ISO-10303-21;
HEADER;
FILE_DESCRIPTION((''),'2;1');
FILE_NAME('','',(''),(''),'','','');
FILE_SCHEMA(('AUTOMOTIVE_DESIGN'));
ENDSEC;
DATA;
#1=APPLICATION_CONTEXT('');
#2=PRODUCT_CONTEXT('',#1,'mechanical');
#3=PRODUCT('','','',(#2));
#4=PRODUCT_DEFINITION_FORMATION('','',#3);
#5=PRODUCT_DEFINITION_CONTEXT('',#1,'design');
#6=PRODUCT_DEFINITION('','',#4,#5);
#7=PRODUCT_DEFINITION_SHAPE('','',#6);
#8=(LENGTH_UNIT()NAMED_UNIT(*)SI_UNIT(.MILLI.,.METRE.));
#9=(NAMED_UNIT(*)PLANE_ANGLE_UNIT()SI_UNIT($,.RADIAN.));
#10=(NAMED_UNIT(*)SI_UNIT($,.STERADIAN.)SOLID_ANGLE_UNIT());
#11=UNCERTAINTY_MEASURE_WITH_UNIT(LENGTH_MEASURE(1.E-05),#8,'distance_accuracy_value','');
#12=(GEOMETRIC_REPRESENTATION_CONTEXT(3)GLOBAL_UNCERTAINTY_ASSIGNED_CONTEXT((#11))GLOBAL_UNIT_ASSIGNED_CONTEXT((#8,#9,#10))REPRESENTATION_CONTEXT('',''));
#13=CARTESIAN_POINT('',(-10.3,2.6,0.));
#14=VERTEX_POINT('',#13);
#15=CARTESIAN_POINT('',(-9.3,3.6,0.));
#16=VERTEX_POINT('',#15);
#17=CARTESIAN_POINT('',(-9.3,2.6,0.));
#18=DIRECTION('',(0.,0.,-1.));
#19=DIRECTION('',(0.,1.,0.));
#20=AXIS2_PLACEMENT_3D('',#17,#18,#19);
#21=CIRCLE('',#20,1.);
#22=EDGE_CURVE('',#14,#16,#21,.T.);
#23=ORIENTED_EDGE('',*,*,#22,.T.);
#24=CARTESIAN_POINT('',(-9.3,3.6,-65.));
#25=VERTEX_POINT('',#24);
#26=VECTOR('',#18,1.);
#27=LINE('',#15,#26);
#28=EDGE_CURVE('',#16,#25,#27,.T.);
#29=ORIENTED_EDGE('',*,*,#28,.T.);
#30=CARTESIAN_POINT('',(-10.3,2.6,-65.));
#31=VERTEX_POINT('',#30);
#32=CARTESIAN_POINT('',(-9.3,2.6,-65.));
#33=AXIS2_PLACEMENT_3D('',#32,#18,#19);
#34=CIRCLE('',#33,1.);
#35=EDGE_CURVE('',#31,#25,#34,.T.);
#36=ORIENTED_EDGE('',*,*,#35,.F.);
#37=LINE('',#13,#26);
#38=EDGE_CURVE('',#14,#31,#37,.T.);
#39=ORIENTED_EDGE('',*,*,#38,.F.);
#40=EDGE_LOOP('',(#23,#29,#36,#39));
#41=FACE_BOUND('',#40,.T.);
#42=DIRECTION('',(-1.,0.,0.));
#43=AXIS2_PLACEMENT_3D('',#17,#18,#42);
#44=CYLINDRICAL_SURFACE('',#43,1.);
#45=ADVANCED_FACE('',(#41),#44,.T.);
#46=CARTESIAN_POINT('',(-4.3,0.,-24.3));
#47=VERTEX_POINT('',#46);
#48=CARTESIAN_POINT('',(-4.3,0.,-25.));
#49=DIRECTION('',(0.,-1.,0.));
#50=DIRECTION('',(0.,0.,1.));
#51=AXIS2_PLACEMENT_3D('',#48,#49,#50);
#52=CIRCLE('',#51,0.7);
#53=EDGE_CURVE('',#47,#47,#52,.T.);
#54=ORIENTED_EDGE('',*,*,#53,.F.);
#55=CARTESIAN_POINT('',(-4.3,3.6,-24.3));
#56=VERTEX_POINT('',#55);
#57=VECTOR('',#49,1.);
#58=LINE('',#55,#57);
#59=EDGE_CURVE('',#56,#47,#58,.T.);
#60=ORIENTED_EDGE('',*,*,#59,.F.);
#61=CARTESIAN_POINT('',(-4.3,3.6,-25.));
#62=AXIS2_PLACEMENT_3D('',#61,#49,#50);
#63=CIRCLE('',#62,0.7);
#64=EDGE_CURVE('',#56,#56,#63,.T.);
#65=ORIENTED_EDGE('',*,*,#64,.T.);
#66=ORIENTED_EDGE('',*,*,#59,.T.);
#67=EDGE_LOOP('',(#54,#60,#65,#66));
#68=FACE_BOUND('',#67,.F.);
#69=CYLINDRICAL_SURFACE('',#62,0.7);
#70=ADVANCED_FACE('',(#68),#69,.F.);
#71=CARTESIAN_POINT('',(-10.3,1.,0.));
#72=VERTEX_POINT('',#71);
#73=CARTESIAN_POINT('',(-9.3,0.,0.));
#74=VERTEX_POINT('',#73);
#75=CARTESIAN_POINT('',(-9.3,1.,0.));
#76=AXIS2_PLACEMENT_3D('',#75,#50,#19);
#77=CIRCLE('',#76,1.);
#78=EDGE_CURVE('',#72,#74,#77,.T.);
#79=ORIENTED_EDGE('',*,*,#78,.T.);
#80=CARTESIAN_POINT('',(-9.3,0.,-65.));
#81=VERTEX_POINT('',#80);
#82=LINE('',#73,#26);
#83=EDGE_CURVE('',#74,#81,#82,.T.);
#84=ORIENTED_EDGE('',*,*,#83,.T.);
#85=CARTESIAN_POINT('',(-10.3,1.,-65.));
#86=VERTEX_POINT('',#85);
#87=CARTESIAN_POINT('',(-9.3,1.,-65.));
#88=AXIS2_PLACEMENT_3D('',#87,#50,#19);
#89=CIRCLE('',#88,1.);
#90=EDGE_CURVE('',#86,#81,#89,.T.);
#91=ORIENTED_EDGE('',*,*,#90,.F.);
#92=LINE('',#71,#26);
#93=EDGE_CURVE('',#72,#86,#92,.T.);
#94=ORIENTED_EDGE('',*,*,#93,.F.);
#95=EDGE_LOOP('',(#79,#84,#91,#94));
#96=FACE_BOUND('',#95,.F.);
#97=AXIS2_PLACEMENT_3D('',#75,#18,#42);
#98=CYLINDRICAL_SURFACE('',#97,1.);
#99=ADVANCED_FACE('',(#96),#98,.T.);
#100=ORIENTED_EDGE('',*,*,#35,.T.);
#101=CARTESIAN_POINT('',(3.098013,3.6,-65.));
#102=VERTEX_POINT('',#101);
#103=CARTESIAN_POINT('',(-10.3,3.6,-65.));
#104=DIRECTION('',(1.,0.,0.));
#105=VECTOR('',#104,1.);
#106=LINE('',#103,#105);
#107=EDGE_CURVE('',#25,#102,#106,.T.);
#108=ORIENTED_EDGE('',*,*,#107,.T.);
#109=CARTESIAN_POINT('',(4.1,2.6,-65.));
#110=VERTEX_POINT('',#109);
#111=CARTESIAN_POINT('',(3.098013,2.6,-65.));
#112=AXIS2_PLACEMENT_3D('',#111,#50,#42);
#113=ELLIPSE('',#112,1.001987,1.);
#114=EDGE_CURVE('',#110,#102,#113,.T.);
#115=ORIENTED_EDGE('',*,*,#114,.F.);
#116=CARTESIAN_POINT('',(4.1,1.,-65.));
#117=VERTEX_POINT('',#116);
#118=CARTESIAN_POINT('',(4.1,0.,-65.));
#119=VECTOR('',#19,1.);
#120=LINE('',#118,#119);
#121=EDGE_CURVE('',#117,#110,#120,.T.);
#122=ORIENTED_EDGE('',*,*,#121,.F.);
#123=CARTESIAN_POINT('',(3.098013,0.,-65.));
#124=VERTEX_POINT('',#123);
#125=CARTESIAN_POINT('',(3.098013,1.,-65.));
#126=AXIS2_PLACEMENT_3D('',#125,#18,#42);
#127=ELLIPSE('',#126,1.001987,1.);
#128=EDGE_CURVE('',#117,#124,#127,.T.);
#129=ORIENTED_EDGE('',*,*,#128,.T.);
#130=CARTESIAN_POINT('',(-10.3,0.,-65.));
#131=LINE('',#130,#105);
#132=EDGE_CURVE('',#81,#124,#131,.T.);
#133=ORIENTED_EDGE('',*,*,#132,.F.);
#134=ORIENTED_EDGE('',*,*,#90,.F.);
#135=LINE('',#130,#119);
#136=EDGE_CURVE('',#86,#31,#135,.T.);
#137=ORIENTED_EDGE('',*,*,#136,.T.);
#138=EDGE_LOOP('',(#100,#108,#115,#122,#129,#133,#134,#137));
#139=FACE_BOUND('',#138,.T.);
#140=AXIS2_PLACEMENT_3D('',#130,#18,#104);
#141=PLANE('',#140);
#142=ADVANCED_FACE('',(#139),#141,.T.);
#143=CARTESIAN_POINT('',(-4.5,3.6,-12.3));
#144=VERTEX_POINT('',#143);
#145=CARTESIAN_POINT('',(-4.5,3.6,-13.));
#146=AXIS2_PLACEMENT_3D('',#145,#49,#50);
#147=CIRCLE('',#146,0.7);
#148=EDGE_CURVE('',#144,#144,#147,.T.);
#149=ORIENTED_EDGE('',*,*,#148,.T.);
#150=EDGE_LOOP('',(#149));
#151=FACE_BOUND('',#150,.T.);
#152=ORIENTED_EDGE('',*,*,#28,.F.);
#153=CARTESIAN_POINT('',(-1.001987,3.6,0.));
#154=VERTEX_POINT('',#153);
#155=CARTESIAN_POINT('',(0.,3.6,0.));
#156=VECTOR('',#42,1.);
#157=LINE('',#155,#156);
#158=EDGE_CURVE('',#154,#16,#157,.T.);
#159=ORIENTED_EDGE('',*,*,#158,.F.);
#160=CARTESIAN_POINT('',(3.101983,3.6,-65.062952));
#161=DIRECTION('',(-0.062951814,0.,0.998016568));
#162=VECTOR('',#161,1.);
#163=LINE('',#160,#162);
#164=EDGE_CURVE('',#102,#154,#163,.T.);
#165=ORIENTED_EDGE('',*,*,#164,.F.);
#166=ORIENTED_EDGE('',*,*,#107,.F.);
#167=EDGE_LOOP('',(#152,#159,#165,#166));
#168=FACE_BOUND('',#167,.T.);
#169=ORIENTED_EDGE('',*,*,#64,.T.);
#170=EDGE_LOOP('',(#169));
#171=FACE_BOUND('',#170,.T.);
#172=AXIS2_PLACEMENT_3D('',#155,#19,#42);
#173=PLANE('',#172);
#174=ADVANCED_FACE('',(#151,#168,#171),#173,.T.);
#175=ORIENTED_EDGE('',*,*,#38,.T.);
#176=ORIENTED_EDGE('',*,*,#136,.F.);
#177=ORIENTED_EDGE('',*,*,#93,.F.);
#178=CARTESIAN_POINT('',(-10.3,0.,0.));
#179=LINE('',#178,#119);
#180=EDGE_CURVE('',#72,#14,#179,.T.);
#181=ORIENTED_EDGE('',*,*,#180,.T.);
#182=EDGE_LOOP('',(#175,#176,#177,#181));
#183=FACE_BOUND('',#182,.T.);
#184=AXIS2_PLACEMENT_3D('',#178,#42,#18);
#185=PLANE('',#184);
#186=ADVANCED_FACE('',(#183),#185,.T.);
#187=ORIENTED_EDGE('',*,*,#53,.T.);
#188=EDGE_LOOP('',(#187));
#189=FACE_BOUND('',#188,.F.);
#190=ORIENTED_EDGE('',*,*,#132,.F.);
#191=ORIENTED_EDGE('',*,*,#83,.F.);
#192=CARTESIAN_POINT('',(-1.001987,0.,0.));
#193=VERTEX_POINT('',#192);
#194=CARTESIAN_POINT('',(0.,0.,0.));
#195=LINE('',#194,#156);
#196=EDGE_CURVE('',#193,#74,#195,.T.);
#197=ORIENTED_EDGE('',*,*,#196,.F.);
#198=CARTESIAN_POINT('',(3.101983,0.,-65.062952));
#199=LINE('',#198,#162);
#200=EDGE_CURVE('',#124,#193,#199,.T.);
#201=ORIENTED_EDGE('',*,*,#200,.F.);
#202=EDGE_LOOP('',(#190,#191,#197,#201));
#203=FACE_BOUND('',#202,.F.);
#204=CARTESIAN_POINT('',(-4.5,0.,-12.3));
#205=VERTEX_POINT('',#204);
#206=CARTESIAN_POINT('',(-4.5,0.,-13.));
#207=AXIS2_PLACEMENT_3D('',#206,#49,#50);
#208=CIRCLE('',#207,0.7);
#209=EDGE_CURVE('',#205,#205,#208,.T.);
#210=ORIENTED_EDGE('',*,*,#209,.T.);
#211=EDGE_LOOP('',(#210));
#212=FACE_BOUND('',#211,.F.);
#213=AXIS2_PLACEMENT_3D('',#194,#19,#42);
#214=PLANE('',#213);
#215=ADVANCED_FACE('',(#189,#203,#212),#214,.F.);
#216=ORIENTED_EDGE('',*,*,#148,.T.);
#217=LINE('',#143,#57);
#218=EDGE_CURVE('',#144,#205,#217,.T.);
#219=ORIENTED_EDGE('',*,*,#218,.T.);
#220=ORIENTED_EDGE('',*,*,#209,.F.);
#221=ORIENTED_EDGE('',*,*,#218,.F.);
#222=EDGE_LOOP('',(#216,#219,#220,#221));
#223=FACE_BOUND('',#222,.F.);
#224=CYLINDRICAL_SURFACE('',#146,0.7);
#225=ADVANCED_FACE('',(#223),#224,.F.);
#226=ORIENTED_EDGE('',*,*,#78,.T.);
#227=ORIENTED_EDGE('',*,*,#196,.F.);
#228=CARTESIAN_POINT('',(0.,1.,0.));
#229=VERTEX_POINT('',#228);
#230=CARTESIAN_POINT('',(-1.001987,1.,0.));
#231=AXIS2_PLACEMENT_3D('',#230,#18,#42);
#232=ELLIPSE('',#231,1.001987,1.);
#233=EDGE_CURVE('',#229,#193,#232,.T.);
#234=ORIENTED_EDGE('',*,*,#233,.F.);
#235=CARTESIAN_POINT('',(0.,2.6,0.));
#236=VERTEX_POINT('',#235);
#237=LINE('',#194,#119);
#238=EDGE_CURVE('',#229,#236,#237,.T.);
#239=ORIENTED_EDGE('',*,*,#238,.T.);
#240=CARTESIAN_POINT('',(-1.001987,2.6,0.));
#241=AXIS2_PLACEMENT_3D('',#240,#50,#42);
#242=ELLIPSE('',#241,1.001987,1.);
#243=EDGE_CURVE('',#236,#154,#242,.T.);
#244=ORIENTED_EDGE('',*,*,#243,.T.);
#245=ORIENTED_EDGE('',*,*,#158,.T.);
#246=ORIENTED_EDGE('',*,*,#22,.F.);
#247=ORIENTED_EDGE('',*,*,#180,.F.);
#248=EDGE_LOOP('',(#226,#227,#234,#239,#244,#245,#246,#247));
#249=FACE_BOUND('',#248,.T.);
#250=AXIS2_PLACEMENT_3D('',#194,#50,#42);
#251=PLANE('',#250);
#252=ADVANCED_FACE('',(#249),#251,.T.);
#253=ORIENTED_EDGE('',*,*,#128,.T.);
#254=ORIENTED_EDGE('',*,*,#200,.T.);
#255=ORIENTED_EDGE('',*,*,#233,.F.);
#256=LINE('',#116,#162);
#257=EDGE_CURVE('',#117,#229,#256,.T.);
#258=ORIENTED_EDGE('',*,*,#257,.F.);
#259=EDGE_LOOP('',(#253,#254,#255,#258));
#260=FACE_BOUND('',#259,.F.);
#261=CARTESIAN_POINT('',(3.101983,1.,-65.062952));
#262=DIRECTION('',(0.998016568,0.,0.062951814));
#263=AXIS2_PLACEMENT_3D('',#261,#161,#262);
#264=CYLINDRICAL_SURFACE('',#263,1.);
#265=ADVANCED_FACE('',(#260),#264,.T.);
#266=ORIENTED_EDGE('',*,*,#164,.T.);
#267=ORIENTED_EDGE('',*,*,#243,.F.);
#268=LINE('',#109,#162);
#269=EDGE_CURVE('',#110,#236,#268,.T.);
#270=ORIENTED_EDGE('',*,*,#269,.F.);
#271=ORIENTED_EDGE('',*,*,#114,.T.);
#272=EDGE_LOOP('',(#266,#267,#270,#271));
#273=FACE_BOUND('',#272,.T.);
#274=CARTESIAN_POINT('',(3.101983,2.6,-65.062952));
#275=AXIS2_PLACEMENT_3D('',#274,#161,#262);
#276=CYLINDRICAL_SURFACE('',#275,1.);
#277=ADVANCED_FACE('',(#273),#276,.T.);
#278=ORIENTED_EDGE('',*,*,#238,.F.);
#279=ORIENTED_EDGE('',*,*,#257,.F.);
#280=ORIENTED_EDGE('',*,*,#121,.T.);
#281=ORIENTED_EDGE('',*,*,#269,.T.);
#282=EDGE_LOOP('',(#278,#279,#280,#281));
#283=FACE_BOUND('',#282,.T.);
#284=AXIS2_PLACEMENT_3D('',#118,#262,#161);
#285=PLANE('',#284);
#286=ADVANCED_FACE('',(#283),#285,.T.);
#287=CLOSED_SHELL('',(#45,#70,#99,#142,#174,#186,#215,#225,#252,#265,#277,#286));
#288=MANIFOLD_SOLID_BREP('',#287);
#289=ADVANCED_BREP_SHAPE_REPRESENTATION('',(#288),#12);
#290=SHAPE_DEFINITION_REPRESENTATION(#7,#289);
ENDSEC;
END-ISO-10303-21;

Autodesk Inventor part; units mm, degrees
ref_plane "YZ Plane" through (0, 0, 0) normal (1, 0, 0) x (0, 1, 0)
ref_plane "XZ Plane" through (0, 0, 0) normal (0, 1, 0) x (-1, 0, 0)
ref_plane "XY Plane" through (0, 0, 0) normal (0, 0, 1) x (1, 0, 0)
sketch "Skizze1" plane through (0, 0, 0) normal (0, 1, 0) x (-1, 0, 0)
  line L0 (0, 0) -> (10.3, 0)
  line L1 (10.3, 0) -> (10.3, -65)
  line L2 (10.3, -65) -> (-4.1, -65)
  line L3 (-4.1, -65) -> (0, 0)
  dimension "d0" = 65
  dimension "d1" = 14.4
  dimension "d2" = 10.3
extrude "Extrusion1" add sketch "Skizze1" along normal blind 3.6
sketch "Skizze2" plane through (0, 3.6, 0) normal (0, 1, 0) x (1, 0, 0)
  line L0 (-10.3, 65) -> (-10.3, 0) projected
  line L1 (-10.3, 0) -> (-10.3, 13)
  line L2 (-10.3, 0) -> (-10.3, 25)
  line L3 (-10.3, 13) -> (-4.5, 13)
  line L4 (-10.3, 25) -> (-4.3, 25)
  point P0 (0, 0)
  dimension "d5" = 13
  dimension "d6" = 25
  dimension "d7" = 5.8
  dimension "d8" = 6
hole "Bohrung1" at (-4.5, 3.6, -13) at (-4.3, 3.6, -25) direction (0, -1, 0) diameter 1.4 end through all
fillet "Rundung1" radius 1 4 edges at (-10.3, 3.6, -32.5) (-10.3, 0, -32.5) (2.05, 3.6, -32.5) (2.05, 0, -32.5)
properties part number "Brillenbuegel"
